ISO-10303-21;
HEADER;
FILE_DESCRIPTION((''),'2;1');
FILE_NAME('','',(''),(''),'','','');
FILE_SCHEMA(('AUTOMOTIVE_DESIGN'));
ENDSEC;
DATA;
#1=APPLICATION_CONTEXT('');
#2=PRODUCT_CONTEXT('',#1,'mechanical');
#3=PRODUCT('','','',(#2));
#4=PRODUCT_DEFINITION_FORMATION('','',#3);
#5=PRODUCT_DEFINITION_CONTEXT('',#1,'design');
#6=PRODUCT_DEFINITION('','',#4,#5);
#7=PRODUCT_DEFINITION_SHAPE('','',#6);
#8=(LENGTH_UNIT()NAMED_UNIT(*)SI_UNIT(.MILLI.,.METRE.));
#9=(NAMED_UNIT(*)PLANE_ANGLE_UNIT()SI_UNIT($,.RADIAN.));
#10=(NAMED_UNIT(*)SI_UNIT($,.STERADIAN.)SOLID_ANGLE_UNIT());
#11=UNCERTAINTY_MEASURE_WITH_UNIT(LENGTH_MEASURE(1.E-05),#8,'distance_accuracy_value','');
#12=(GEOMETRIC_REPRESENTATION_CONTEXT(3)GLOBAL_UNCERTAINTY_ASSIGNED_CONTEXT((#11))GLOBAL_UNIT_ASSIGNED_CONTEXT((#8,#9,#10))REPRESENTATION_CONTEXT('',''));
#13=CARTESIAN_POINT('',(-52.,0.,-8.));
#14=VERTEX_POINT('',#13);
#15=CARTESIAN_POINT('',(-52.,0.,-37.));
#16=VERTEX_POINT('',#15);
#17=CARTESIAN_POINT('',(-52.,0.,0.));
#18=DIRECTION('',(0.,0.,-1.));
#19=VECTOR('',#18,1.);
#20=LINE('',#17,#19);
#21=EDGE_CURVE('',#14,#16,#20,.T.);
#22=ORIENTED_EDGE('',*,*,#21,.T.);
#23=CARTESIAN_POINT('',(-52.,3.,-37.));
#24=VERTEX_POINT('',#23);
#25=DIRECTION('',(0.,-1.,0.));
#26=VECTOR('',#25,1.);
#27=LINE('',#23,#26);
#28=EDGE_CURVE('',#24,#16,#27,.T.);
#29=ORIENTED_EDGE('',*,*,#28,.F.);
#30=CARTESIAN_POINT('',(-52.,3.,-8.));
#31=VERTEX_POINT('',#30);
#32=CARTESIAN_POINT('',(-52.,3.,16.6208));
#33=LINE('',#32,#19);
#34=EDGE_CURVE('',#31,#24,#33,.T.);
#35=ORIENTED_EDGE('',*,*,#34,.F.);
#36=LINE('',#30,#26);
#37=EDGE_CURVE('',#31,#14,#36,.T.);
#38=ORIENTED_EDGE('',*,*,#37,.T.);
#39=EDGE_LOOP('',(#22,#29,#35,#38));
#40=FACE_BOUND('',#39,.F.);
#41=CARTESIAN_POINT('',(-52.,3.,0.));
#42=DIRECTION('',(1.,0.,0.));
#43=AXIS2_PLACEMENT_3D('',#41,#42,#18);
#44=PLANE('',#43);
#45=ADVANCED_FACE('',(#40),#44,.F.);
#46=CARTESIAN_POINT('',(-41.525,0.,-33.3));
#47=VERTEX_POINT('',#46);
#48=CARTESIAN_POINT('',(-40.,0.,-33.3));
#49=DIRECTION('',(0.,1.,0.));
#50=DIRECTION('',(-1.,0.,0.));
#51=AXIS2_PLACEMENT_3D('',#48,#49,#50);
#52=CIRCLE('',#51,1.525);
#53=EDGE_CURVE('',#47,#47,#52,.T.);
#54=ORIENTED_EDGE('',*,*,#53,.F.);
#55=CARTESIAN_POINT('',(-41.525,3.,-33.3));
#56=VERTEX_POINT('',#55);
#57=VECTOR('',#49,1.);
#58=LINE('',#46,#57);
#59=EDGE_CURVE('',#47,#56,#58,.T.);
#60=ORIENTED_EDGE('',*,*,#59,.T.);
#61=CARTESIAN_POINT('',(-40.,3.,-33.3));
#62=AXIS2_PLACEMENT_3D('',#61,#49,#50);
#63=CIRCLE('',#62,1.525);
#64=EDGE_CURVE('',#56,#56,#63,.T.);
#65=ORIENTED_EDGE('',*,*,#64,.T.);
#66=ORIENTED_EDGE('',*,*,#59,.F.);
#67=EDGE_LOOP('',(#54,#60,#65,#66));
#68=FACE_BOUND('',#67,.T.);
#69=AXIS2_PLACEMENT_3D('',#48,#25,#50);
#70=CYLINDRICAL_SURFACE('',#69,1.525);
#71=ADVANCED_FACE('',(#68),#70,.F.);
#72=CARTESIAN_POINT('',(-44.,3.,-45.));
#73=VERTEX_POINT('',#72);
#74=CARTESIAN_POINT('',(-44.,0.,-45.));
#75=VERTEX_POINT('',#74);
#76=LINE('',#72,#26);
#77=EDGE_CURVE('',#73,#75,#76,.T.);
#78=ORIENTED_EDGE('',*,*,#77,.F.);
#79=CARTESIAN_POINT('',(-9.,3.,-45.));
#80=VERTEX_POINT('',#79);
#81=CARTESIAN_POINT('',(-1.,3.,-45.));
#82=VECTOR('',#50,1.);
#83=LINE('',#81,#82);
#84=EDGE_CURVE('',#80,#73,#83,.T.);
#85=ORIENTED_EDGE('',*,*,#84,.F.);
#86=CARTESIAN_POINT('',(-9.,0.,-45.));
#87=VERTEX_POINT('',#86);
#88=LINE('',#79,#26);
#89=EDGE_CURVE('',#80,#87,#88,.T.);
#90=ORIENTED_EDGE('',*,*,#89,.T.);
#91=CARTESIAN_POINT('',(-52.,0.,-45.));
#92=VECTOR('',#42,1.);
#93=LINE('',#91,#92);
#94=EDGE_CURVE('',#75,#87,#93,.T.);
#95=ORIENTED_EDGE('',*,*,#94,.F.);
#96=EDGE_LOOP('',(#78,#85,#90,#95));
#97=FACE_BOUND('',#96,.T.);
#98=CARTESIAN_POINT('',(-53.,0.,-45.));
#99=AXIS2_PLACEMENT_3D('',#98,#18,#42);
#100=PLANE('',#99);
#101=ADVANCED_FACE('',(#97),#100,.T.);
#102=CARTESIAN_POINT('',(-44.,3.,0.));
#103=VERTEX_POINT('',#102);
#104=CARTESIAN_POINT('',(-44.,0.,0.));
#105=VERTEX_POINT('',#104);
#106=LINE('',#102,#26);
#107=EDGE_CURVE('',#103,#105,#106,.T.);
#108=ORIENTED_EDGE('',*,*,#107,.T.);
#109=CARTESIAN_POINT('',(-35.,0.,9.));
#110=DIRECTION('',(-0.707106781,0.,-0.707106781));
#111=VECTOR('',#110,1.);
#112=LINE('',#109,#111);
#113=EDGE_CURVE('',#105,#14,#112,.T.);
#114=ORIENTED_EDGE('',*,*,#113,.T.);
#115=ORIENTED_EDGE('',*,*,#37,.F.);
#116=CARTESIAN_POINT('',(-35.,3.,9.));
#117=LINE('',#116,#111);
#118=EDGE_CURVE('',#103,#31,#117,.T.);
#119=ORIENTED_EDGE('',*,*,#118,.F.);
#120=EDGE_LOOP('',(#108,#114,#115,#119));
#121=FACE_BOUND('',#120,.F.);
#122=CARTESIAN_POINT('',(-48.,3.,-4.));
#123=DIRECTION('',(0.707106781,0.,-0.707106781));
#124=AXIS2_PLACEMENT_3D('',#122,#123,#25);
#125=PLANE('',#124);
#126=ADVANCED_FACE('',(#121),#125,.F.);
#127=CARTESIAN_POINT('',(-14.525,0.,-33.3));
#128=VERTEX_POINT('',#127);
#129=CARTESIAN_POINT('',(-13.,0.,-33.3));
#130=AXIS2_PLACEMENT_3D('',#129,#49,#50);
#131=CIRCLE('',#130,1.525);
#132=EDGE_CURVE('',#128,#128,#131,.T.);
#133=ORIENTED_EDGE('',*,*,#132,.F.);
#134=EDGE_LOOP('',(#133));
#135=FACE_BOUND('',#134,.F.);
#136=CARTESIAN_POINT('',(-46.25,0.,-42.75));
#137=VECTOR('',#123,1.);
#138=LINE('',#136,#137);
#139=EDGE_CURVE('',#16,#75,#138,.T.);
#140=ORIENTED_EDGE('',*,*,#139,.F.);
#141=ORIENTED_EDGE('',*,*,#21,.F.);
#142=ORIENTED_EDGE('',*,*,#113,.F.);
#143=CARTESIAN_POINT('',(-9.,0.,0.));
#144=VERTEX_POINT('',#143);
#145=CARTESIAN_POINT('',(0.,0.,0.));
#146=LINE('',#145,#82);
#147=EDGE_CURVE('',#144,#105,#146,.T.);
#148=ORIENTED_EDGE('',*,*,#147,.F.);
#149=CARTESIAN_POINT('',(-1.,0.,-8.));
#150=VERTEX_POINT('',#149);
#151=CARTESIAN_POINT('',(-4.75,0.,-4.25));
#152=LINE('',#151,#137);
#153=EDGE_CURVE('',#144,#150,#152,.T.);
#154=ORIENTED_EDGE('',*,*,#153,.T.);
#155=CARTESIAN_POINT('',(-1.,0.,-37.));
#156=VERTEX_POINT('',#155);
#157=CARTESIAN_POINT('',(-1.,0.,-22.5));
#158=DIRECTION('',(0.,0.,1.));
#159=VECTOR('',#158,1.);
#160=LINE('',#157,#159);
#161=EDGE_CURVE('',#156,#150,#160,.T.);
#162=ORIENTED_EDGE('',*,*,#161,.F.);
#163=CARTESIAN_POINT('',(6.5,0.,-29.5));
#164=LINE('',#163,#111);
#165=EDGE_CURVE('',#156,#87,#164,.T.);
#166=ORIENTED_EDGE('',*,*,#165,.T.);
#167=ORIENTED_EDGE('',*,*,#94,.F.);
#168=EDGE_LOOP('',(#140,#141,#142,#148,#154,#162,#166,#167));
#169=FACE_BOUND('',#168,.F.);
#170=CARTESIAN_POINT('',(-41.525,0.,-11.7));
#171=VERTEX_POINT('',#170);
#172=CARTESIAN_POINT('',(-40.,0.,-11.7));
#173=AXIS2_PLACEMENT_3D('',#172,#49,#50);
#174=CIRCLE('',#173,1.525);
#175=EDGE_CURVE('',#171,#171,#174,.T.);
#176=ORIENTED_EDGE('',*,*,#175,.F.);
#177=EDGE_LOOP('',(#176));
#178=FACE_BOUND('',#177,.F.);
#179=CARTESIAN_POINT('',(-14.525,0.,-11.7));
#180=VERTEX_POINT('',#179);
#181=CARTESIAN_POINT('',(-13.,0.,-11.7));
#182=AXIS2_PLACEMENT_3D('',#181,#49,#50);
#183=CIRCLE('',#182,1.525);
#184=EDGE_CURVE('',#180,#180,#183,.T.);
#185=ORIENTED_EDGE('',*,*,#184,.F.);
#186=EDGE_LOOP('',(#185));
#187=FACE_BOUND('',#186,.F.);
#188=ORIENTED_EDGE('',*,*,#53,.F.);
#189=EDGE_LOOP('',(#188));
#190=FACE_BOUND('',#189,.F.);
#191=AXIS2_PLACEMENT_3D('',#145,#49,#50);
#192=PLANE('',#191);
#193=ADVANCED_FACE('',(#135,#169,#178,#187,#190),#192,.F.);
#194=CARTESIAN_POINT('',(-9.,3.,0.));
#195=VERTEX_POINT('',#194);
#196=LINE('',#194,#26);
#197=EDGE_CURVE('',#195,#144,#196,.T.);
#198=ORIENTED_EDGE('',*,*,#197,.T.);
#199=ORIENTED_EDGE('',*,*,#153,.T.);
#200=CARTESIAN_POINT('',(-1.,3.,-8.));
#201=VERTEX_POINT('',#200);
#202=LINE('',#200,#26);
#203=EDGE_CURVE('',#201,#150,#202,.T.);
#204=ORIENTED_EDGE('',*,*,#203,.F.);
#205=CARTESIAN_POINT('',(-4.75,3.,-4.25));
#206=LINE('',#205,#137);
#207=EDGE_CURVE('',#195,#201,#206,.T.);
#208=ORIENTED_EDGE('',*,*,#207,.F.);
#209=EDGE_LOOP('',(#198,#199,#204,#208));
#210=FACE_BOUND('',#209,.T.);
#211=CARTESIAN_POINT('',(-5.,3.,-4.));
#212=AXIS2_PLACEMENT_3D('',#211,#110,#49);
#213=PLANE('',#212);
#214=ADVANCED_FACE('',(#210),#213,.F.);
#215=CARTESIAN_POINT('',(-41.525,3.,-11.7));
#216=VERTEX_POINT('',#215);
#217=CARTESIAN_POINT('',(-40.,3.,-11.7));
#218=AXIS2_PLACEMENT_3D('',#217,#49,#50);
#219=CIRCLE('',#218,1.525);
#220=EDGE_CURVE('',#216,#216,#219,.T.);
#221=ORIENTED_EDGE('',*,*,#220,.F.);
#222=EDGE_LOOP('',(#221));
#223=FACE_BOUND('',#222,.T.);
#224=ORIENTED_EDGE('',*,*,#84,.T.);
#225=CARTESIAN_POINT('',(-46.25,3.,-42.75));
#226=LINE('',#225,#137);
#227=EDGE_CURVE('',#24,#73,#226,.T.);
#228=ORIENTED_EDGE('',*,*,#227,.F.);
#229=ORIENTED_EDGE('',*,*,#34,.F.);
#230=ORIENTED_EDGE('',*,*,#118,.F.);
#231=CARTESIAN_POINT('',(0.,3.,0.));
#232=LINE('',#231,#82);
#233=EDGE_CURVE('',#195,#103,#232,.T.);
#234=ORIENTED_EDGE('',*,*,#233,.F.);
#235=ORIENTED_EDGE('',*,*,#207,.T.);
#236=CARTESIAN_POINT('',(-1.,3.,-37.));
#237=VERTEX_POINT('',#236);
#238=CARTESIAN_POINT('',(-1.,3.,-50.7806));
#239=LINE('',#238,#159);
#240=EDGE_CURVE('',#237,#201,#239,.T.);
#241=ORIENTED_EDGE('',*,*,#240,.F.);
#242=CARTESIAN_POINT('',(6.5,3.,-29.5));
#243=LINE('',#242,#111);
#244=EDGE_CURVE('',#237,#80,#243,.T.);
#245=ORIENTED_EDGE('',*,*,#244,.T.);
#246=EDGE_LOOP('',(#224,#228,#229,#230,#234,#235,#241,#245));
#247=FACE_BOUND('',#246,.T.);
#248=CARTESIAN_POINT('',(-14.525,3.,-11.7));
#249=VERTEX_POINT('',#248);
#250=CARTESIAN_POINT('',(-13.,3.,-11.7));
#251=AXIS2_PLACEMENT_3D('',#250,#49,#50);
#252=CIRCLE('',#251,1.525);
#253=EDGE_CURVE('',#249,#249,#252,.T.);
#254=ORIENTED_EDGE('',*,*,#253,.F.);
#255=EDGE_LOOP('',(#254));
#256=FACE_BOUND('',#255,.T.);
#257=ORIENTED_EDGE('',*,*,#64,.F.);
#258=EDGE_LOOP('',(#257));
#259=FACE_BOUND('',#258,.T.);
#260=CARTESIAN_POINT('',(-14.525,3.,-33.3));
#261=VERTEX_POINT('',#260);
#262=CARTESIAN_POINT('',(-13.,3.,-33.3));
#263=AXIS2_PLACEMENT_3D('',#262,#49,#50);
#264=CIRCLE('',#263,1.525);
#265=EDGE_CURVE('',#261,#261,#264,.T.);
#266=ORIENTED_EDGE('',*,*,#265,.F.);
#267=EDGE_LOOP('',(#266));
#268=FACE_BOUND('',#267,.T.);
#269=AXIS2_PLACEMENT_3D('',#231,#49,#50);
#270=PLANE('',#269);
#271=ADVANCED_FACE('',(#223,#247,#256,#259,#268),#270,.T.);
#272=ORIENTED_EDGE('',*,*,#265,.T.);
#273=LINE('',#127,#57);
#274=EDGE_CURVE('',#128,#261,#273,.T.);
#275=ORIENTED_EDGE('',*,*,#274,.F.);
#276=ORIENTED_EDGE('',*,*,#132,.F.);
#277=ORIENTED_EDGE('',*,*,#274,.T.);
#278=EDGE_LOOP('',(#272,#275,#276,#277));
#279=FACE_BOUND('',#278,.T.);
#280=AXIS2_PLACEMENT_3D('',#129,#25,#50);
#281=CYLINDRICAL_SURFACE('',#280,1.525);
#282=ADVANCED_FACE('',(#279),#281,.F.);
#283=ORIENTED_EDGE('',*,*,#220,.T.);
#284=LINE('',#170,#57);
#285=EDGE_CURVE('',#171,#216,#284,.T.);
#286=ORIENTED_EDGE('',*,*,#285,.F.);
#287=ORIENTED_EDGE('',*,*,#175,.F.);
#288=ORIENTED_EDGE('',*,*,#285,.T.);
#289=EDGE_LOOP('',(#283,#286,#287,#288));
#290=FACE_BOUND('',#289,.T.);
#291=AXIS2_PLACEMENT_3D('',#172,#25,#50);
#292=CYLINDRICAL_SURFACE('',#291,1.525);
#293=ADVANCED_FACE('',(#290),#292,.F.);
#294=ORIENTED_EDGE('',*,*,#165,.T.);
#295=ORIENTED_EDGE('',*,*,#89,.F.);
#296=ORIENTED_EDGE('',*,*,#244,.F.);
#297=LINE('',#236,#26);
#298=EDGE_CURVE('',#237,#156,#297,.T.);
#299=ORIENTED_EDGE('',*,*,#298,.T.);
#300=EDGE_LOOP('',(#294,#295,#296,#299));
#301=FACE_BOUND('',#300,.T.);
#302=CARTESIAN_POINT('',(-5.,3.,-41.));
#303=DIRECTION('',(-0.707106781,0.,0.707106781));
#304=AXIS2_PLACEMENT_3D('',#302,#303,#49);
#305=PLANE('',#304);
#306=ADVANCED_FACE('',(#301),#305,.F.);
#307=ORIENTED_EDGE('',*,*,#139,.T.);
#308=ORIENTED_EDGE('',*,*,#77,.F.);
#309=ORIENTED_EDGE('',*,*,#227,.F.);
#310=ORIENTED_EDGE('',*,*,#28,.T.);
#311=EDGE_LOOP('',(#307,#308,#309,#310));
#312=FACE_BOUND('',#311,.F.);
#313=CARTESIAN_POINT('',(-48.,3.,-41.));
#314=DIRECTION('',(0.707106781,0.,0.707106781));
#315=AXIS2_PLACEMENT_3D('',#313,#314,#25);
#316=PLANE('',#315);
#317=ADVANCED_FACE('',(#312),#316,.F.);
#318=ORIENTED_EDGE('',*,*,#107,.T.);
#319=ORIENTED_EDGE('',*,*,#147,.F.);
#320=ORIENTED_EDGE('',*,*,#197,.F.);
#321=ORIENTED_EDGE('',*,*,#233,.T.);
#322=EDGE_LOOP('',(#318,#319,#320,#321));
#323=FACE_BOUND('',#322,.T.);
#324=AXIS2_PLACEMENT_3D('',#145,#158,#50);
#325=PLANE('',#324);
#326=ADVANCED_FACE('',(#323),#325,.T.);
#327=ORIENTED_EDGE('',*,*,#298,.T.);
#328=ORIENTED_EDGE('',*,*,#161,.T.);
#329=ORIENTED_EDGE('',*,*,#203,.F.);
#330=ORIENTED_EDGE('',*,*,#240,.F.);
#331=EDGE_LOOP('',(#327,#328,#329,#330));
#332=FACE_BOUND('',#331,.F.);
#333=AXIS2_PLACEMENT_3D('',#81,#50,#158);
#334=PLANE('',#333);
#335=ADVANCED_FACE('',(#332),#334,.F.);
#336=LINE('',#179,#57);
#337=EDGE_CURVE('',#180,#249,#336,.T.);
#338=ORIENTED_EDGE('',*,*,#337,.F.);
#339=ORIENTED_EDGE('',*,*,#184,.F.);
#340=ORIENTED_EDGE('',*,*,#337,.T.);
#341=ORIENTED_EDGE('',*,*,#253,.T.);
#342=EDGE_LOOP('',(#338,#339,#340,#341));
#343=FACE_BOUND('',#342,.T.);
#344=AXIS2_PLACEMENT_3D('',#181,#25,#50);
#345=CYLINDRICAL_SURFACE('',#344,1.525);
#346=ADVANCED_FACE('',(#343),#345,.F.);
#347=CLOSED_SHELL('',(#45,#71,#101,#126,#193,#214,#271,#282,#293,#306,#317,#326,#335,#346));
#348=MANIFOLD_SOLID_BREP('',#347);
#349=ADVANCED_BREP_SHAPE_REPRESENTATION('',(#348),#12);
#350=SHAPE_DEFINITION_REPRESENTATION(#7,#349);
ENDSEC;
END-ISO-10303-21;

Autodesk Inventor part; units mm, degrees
ref_plane "YZ Plane" through (0, 0, 0) normal (1, 0, 0) x (0, 1, 0)
ref_plane "XZ Plane" through (0, 0, 0) normal (0, 1, 0) x (-1, 0, 0)
ref_plane "XY Plane" through (0, 0, 0) normal (0, 0, 1) x (1, 0, 0)
sketch "草图1" plane through (0, 0, 0) normal (0, 1, 0) x (-1, 0, 0)
  line L0 (0, 0) -> (53, 0)
  line L1 (53, 0) -> (53, -45)
  line L2 (53, -45) -> (0, -45)
  line L3 (0, -45) -> (0, 0)
  line L4 (53, -22.5) -> (49.1677, -22.5)
  line L5 (26.5, -45) -> (26.5, -38.7473)
  circle A0 centre (40, -33.3) radius 1.525
  circle A1 centre (40, -11.7) radius 1.525
  circle A2 centre (13, -33.3) radius 1.525
  circle A3 centre (13, -11.7) radius 1.525
  dimension "d0" = 45
  dimension "d1" = 53
  dimension "d2" = 10.8
  dimension "d3" = 13
  dimension "d4" = 3.05
extrude "拉伸1" add sketch "草图1" along normal blind 3
sketch "草图2" plane through (0, 3, 0) normal (0, 1, 0) x (1, 0, 0)
  line L0 (-52, 50.7806) -> (-1, 50.7806)
  line L1 (-1, 50.7806) -> (-1, -16.6208)
  line L2 (-1, -16.6208) -> (-52, -16.6208)
  line L3 (-52, -16.6208) -> (-52, 50.7806)
  line L4 (-53, 45) -> (-53, 0) projected
  line L5 (0, 0) -> (0, 45) projected
  line L6 (0, 0) -> (0, 45) projected
  line L7 (0, 45) -> (-53, 45) projected
  line L8 (-53, 45) -> (-53, 0) projected
  line L9 (-53, 0) -> (0, 0) projected
  circle A0 centre (-40, 33.3) radius 1.525 projected
  circle A1 centre (-40, 11.7) radius 1.525 projected
  circle A2 centre (-13, 33.3) radius 1.525 projected
  circle A3 centre (-13, 11.7) radius 1.525 projected
  point P0 (-1, 0)
  point P1 (-1, 45)
  point P2 (-52, 0)
  point P3 (-52, 45)
  dimension "d10" = 1
  dimension "d11" = 1
extrude "拉伸2" cut sketch "草图2" against normal blind 10 contours L3 L9 L4 L7 | L7 L5 L9 L1
chamfer "倒角2" distance 8 angle 45 4 edges at (-1, 1.5, 0) (-52, 1.5, 0) (-52, 1.5, -45) (-1, 1.5, -45)
sketch "草图3" plane through (0, 0, 0) normal (0, -1, 0) x (1, 0, 0)
  circle A0 centre (-40, -33.3) radius 1.525 projected
  circle A1 centre (-13, -33.3) radius 1.525 projected
  point P0 (0, 0)
  dimension "d17" = 27
properties part number "sh2"
